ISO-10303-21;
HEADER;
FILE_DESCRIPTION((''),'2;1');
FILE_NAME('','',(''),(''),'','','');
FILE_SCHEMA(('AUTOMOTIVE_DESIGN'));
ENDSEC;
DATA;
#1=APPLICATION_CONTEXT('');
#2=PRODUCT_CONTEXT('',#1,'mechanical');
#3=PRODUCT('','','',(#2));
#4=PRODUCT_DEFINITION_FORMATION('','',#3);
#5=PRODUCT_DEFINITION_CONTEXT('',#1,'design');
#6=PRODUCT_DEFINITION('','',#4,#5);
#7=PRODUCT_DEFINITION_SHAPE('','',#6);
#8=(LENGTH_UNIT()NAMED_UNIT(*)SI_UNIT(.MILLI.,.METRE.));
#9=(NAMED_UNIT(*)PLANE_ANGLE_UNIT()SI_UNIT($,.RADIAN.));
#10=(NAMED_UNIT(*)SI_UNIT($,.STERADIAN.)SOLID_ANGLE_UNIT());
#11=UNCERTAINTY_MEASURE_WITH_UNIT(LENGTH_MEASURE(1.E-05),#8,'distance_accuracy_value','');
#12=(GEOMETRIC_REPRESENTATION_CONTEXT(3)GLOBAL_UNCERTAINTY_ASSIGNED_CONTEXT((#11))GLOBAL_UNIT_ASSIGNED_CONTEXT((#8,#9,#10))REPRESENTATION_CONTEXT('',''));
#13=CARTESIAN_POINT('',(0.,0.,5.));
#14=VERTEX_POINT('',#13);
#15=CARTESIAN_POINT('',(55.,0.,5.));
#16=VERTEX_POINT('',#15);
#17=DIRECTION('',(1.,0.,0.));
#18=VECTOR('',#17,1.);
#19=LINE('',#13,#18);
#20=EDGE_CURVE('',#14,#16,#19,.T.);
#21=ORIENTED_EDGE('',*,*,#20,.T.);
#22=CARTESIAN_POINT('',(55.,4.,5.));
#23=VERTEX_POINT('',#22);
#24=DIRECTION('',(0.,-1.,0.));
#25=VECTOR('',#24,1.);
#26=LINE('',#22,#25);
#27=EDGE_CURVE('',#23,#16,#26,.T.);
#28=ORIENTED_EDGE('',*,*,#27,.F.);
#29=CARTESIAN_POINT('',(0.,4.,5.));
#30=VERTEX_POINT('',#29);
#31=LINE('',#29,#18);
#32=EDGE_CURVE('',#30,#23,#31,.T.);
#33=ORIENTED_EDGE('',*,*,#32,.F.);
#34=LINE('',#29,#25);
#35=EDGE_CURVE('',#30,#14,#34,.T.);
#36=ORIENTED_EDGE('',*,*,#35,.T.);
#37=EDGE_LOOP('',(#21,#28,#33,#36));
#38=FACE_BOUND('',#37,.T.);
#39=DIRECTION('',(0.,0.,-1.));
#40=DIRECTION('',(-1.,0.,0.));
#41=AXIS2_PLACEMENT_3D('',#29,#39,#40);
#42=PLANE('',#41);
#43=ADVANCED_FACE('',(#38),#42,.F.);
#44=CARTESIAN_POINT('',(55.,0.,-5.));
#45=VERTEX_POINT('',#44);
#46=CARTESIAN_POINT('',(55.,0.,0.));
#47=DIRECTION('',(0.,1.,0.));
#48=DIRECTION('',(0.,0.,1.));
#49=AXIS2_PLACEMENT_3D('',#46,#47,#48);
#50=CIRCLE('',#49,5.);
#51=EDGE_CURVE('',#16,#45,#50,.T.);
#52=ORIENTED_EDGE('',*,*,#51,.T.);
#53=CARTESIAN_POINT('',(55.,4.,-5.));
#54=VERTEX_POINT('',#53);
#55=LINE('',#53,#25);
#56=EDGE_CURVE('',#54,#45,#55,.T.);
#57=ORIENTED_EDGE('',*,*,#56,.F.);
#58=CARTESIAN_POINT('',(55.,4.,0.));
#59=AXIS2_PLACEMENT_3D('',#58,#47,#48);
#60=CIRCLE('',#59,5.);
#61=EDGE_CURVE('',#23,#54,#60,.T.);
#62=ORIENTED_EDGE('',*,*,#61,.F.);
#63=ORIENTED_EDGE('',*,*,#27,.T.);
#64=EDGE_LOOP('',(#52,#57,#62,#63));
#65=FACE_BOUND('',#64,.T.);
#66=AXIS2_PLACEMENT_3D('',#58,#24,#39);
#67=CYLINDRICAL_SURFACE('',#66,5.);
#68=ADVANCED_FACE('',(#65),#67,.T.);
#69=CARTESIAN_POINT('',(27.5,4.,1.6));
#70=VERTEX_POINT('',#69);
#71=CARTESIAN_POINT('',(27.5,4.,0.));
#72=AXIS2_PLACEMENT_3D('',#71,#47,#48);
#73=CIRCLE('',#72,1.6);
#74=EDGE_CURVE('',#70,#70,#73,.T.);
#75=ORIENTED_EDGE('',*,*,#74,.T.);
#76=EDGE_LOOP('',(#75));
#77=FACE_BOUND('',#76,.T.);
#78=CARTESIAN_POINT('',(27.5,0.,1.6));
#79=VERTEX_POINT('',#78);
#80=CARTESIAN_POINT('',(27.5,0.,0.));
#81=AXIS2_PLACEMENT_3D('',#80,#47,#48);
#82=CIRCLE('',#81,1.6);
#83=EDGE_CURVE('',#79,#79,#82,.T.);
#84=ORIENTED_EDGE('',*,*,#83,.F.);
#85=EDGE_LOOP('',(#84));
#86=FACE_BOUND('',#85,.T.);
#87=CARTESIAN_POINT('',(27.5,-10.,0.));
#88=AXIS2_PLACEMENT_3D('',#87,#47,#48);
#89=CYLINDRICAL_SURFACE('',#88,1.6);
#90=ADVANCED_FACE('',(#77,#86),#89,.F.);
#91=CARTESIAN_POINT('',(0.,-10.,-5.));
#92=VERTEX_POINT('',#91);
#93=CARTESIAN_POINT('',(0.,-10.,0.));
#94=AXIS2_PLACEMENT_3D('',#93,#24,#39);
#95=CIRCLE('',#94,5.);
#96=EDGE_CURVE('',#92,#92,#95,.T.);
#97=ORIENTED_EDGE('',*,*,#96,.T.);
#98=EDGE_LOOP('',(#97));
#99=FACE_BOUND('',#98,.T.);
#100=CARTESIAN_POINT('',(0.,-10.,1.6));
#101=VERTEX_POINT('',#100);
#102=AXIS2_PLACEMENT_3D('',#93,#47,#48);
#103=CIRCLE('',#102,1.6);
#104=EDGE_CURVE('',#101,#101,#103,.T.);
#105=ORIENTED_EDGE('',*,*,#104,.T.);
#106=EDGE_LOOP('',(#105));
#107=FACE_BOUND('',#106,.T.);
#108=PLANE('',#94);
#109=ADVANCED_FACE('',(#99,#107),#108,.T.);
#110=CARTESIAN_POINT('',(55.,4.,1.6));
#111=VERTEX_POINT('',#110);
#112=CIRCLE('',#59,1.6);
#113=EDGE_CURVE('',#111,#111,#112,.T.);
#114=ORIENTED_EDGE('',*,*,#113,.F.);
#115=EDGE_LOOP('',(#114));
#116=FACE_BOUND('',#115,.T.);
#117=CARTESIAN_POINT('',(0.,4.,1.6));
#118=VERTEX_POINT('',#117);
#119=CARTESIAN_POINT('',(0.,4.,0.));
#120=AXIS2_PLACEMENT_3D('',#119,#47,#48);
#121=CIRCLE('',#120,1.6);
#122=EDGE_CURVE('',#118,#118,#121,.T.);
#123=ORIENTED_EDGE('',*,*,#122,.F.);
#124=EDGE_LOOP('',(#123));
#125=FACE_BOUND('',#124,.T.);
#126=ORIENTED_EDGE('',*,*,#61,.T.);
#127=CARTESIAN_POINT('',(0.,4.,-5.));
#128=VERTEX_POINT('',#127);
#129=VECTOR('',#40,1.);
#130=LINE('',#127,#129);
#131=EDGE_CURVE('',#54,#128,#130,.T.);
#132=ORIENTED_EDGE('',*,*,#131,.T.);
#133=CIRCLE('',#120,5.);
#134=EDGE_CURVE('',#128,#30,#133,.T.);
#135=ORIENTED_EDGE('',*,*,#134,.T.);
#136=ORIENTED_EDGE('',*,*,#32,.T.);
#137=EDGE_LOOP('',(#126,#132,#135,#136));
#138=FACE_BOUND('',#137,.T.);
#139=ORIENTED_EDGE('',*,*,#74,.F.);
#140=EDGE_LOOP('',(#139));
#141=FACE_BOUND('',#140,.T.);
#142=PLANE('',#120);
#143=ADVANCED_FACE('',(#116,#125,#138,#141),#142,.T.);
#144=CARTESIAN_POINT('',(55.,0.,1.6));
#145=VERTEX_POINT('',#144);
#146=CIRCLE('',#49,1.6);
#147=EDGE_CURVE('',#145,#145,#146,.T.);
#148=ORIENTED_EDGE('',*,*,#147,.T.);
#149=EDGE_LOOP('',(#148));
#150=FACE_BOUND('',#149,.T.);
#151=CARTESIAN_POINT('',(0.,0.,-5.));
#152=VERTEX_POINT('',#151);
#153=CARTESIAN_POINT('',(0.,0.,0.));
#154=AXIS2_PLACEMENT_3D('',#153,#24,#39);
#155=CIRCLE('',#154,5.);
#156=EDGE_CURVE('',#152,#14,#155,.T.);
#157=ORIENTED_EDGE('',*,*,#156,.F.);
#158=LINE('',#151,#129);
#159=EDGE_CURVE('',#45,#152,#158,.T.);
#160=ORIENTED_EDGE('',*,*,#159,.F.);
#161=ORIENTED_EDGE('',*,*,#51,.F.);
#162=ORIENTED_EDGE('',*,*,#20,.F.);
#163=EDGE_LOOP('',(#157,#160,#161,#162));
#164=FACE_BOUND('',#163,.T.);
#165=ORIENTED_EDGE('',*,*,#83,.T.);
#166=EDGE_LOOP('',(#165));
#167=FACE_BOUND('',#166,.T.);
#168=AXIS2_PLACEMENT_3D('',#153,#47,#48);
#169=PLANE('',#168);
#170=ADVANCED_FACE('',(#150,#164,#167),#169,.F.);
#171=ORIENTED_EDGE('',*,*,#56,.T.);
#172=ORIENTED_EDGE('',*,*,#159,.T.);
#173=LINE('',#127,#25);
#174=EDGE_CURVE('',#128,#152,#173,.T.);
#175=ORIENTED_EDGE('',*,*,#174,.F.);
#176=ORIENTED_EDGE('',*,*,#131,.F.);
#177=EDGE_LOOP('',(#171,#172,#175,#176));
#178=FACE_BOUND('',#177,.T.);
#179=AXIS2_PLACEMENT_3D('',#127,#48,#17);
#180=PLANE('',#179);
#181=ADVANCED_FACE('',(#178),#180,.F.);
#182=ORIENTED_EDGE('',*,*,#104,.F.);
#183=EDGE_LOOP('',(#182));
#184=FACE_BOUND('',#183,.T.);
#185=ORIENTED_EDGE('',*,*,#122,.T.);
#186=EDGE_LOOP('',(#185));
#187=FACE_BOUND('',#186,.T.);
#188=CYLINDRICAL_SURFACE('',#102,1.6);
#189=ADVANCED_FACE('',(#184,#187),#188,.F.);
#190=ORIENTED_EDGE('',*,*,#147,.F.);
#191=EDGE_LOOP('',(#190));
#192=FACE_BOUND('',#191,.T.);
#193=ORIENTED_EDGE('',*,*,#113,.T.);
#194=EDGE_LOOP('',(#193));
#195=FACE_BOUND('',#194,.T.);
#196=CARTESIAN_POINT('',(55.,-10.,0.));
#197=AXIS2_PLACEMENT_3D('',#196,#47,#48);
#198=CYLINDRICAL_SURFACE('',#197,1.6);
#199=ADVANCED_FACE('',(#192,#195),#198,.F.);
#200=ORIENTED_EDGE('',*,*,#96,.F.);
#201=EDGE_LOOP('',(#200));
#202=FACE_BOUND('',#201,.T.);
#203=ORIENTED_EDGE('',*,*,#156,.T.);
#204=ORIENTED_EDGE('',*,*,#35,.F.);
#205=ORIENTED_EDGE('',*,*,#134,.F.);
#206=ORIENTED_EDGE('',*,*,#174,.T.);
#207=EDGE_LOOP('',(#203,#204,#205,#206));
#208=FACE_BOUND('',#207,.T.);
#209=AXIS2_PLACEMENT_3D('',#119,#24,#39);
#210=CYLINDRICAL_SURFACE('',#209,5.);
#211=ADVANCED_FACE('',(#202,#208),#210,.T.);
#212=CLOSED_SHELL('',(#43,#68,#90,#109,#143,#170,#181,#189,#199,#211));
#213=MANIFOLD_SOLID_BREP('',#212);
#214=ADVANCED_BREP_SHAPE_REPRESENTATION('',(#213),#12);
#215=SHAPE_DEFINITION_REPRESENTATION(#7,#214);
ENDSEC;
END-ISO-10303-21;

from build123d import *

# Parameters (mm, degrees)
BOSS_EXTRUDE1_DEPTH = 4
SKETCH3_R           = 5
BOSS_EXTRUDE2_DEPTH = 10
SKETCH2_R           = 1.6
CUT_EXTRUDE1_DEPTH  = 15


with BuildPart() as part:
    # Sketch1 → Boss-Extrude1 (new body)
    with BuildSketch(Plane(origin=(0, 0, 0), x_dir=(1, 0, 0), z_dir=(0, 1, 0))):
        with BuildLine():
            Line((0, 5), (55, 5))
            ThreePointArc((55, 5), (60, 0), (55, -5))
            Line((55, -5), (0, -5))
            ThreePointArc((0, -5), (-5, 0), (0, 5))
        make_face()
    extrude(amount=BOSS_EXTRUDE1_DEPTH)

    # Sketch3 → Boss-Extrude2 (add)
    with BuildSketch(Plane.XZ):
        Circle(SKETCH3_R)
    extrude(amount=BOSS_EXTRUDE2_DEPTH)

    # Sketch2 → Cut-Extrude1 (cut, through all)
    with BuildSketch(Plane(origin=(0, 4, 0), x_dir=(1, 0, 0), z_dir=(0, 1, 0))):
        Circle(SKETCH2_R)
        with Locations((27.5, 0)):
            Circle(SKETCH2_R)
        with Locations((55, 0)):
            Circle(SKETCH2_R)
    extrude(amount=-CUT_EXTRUDE1_DEPTH, mode=Mode.SUBTRACT)


solid = part.part
